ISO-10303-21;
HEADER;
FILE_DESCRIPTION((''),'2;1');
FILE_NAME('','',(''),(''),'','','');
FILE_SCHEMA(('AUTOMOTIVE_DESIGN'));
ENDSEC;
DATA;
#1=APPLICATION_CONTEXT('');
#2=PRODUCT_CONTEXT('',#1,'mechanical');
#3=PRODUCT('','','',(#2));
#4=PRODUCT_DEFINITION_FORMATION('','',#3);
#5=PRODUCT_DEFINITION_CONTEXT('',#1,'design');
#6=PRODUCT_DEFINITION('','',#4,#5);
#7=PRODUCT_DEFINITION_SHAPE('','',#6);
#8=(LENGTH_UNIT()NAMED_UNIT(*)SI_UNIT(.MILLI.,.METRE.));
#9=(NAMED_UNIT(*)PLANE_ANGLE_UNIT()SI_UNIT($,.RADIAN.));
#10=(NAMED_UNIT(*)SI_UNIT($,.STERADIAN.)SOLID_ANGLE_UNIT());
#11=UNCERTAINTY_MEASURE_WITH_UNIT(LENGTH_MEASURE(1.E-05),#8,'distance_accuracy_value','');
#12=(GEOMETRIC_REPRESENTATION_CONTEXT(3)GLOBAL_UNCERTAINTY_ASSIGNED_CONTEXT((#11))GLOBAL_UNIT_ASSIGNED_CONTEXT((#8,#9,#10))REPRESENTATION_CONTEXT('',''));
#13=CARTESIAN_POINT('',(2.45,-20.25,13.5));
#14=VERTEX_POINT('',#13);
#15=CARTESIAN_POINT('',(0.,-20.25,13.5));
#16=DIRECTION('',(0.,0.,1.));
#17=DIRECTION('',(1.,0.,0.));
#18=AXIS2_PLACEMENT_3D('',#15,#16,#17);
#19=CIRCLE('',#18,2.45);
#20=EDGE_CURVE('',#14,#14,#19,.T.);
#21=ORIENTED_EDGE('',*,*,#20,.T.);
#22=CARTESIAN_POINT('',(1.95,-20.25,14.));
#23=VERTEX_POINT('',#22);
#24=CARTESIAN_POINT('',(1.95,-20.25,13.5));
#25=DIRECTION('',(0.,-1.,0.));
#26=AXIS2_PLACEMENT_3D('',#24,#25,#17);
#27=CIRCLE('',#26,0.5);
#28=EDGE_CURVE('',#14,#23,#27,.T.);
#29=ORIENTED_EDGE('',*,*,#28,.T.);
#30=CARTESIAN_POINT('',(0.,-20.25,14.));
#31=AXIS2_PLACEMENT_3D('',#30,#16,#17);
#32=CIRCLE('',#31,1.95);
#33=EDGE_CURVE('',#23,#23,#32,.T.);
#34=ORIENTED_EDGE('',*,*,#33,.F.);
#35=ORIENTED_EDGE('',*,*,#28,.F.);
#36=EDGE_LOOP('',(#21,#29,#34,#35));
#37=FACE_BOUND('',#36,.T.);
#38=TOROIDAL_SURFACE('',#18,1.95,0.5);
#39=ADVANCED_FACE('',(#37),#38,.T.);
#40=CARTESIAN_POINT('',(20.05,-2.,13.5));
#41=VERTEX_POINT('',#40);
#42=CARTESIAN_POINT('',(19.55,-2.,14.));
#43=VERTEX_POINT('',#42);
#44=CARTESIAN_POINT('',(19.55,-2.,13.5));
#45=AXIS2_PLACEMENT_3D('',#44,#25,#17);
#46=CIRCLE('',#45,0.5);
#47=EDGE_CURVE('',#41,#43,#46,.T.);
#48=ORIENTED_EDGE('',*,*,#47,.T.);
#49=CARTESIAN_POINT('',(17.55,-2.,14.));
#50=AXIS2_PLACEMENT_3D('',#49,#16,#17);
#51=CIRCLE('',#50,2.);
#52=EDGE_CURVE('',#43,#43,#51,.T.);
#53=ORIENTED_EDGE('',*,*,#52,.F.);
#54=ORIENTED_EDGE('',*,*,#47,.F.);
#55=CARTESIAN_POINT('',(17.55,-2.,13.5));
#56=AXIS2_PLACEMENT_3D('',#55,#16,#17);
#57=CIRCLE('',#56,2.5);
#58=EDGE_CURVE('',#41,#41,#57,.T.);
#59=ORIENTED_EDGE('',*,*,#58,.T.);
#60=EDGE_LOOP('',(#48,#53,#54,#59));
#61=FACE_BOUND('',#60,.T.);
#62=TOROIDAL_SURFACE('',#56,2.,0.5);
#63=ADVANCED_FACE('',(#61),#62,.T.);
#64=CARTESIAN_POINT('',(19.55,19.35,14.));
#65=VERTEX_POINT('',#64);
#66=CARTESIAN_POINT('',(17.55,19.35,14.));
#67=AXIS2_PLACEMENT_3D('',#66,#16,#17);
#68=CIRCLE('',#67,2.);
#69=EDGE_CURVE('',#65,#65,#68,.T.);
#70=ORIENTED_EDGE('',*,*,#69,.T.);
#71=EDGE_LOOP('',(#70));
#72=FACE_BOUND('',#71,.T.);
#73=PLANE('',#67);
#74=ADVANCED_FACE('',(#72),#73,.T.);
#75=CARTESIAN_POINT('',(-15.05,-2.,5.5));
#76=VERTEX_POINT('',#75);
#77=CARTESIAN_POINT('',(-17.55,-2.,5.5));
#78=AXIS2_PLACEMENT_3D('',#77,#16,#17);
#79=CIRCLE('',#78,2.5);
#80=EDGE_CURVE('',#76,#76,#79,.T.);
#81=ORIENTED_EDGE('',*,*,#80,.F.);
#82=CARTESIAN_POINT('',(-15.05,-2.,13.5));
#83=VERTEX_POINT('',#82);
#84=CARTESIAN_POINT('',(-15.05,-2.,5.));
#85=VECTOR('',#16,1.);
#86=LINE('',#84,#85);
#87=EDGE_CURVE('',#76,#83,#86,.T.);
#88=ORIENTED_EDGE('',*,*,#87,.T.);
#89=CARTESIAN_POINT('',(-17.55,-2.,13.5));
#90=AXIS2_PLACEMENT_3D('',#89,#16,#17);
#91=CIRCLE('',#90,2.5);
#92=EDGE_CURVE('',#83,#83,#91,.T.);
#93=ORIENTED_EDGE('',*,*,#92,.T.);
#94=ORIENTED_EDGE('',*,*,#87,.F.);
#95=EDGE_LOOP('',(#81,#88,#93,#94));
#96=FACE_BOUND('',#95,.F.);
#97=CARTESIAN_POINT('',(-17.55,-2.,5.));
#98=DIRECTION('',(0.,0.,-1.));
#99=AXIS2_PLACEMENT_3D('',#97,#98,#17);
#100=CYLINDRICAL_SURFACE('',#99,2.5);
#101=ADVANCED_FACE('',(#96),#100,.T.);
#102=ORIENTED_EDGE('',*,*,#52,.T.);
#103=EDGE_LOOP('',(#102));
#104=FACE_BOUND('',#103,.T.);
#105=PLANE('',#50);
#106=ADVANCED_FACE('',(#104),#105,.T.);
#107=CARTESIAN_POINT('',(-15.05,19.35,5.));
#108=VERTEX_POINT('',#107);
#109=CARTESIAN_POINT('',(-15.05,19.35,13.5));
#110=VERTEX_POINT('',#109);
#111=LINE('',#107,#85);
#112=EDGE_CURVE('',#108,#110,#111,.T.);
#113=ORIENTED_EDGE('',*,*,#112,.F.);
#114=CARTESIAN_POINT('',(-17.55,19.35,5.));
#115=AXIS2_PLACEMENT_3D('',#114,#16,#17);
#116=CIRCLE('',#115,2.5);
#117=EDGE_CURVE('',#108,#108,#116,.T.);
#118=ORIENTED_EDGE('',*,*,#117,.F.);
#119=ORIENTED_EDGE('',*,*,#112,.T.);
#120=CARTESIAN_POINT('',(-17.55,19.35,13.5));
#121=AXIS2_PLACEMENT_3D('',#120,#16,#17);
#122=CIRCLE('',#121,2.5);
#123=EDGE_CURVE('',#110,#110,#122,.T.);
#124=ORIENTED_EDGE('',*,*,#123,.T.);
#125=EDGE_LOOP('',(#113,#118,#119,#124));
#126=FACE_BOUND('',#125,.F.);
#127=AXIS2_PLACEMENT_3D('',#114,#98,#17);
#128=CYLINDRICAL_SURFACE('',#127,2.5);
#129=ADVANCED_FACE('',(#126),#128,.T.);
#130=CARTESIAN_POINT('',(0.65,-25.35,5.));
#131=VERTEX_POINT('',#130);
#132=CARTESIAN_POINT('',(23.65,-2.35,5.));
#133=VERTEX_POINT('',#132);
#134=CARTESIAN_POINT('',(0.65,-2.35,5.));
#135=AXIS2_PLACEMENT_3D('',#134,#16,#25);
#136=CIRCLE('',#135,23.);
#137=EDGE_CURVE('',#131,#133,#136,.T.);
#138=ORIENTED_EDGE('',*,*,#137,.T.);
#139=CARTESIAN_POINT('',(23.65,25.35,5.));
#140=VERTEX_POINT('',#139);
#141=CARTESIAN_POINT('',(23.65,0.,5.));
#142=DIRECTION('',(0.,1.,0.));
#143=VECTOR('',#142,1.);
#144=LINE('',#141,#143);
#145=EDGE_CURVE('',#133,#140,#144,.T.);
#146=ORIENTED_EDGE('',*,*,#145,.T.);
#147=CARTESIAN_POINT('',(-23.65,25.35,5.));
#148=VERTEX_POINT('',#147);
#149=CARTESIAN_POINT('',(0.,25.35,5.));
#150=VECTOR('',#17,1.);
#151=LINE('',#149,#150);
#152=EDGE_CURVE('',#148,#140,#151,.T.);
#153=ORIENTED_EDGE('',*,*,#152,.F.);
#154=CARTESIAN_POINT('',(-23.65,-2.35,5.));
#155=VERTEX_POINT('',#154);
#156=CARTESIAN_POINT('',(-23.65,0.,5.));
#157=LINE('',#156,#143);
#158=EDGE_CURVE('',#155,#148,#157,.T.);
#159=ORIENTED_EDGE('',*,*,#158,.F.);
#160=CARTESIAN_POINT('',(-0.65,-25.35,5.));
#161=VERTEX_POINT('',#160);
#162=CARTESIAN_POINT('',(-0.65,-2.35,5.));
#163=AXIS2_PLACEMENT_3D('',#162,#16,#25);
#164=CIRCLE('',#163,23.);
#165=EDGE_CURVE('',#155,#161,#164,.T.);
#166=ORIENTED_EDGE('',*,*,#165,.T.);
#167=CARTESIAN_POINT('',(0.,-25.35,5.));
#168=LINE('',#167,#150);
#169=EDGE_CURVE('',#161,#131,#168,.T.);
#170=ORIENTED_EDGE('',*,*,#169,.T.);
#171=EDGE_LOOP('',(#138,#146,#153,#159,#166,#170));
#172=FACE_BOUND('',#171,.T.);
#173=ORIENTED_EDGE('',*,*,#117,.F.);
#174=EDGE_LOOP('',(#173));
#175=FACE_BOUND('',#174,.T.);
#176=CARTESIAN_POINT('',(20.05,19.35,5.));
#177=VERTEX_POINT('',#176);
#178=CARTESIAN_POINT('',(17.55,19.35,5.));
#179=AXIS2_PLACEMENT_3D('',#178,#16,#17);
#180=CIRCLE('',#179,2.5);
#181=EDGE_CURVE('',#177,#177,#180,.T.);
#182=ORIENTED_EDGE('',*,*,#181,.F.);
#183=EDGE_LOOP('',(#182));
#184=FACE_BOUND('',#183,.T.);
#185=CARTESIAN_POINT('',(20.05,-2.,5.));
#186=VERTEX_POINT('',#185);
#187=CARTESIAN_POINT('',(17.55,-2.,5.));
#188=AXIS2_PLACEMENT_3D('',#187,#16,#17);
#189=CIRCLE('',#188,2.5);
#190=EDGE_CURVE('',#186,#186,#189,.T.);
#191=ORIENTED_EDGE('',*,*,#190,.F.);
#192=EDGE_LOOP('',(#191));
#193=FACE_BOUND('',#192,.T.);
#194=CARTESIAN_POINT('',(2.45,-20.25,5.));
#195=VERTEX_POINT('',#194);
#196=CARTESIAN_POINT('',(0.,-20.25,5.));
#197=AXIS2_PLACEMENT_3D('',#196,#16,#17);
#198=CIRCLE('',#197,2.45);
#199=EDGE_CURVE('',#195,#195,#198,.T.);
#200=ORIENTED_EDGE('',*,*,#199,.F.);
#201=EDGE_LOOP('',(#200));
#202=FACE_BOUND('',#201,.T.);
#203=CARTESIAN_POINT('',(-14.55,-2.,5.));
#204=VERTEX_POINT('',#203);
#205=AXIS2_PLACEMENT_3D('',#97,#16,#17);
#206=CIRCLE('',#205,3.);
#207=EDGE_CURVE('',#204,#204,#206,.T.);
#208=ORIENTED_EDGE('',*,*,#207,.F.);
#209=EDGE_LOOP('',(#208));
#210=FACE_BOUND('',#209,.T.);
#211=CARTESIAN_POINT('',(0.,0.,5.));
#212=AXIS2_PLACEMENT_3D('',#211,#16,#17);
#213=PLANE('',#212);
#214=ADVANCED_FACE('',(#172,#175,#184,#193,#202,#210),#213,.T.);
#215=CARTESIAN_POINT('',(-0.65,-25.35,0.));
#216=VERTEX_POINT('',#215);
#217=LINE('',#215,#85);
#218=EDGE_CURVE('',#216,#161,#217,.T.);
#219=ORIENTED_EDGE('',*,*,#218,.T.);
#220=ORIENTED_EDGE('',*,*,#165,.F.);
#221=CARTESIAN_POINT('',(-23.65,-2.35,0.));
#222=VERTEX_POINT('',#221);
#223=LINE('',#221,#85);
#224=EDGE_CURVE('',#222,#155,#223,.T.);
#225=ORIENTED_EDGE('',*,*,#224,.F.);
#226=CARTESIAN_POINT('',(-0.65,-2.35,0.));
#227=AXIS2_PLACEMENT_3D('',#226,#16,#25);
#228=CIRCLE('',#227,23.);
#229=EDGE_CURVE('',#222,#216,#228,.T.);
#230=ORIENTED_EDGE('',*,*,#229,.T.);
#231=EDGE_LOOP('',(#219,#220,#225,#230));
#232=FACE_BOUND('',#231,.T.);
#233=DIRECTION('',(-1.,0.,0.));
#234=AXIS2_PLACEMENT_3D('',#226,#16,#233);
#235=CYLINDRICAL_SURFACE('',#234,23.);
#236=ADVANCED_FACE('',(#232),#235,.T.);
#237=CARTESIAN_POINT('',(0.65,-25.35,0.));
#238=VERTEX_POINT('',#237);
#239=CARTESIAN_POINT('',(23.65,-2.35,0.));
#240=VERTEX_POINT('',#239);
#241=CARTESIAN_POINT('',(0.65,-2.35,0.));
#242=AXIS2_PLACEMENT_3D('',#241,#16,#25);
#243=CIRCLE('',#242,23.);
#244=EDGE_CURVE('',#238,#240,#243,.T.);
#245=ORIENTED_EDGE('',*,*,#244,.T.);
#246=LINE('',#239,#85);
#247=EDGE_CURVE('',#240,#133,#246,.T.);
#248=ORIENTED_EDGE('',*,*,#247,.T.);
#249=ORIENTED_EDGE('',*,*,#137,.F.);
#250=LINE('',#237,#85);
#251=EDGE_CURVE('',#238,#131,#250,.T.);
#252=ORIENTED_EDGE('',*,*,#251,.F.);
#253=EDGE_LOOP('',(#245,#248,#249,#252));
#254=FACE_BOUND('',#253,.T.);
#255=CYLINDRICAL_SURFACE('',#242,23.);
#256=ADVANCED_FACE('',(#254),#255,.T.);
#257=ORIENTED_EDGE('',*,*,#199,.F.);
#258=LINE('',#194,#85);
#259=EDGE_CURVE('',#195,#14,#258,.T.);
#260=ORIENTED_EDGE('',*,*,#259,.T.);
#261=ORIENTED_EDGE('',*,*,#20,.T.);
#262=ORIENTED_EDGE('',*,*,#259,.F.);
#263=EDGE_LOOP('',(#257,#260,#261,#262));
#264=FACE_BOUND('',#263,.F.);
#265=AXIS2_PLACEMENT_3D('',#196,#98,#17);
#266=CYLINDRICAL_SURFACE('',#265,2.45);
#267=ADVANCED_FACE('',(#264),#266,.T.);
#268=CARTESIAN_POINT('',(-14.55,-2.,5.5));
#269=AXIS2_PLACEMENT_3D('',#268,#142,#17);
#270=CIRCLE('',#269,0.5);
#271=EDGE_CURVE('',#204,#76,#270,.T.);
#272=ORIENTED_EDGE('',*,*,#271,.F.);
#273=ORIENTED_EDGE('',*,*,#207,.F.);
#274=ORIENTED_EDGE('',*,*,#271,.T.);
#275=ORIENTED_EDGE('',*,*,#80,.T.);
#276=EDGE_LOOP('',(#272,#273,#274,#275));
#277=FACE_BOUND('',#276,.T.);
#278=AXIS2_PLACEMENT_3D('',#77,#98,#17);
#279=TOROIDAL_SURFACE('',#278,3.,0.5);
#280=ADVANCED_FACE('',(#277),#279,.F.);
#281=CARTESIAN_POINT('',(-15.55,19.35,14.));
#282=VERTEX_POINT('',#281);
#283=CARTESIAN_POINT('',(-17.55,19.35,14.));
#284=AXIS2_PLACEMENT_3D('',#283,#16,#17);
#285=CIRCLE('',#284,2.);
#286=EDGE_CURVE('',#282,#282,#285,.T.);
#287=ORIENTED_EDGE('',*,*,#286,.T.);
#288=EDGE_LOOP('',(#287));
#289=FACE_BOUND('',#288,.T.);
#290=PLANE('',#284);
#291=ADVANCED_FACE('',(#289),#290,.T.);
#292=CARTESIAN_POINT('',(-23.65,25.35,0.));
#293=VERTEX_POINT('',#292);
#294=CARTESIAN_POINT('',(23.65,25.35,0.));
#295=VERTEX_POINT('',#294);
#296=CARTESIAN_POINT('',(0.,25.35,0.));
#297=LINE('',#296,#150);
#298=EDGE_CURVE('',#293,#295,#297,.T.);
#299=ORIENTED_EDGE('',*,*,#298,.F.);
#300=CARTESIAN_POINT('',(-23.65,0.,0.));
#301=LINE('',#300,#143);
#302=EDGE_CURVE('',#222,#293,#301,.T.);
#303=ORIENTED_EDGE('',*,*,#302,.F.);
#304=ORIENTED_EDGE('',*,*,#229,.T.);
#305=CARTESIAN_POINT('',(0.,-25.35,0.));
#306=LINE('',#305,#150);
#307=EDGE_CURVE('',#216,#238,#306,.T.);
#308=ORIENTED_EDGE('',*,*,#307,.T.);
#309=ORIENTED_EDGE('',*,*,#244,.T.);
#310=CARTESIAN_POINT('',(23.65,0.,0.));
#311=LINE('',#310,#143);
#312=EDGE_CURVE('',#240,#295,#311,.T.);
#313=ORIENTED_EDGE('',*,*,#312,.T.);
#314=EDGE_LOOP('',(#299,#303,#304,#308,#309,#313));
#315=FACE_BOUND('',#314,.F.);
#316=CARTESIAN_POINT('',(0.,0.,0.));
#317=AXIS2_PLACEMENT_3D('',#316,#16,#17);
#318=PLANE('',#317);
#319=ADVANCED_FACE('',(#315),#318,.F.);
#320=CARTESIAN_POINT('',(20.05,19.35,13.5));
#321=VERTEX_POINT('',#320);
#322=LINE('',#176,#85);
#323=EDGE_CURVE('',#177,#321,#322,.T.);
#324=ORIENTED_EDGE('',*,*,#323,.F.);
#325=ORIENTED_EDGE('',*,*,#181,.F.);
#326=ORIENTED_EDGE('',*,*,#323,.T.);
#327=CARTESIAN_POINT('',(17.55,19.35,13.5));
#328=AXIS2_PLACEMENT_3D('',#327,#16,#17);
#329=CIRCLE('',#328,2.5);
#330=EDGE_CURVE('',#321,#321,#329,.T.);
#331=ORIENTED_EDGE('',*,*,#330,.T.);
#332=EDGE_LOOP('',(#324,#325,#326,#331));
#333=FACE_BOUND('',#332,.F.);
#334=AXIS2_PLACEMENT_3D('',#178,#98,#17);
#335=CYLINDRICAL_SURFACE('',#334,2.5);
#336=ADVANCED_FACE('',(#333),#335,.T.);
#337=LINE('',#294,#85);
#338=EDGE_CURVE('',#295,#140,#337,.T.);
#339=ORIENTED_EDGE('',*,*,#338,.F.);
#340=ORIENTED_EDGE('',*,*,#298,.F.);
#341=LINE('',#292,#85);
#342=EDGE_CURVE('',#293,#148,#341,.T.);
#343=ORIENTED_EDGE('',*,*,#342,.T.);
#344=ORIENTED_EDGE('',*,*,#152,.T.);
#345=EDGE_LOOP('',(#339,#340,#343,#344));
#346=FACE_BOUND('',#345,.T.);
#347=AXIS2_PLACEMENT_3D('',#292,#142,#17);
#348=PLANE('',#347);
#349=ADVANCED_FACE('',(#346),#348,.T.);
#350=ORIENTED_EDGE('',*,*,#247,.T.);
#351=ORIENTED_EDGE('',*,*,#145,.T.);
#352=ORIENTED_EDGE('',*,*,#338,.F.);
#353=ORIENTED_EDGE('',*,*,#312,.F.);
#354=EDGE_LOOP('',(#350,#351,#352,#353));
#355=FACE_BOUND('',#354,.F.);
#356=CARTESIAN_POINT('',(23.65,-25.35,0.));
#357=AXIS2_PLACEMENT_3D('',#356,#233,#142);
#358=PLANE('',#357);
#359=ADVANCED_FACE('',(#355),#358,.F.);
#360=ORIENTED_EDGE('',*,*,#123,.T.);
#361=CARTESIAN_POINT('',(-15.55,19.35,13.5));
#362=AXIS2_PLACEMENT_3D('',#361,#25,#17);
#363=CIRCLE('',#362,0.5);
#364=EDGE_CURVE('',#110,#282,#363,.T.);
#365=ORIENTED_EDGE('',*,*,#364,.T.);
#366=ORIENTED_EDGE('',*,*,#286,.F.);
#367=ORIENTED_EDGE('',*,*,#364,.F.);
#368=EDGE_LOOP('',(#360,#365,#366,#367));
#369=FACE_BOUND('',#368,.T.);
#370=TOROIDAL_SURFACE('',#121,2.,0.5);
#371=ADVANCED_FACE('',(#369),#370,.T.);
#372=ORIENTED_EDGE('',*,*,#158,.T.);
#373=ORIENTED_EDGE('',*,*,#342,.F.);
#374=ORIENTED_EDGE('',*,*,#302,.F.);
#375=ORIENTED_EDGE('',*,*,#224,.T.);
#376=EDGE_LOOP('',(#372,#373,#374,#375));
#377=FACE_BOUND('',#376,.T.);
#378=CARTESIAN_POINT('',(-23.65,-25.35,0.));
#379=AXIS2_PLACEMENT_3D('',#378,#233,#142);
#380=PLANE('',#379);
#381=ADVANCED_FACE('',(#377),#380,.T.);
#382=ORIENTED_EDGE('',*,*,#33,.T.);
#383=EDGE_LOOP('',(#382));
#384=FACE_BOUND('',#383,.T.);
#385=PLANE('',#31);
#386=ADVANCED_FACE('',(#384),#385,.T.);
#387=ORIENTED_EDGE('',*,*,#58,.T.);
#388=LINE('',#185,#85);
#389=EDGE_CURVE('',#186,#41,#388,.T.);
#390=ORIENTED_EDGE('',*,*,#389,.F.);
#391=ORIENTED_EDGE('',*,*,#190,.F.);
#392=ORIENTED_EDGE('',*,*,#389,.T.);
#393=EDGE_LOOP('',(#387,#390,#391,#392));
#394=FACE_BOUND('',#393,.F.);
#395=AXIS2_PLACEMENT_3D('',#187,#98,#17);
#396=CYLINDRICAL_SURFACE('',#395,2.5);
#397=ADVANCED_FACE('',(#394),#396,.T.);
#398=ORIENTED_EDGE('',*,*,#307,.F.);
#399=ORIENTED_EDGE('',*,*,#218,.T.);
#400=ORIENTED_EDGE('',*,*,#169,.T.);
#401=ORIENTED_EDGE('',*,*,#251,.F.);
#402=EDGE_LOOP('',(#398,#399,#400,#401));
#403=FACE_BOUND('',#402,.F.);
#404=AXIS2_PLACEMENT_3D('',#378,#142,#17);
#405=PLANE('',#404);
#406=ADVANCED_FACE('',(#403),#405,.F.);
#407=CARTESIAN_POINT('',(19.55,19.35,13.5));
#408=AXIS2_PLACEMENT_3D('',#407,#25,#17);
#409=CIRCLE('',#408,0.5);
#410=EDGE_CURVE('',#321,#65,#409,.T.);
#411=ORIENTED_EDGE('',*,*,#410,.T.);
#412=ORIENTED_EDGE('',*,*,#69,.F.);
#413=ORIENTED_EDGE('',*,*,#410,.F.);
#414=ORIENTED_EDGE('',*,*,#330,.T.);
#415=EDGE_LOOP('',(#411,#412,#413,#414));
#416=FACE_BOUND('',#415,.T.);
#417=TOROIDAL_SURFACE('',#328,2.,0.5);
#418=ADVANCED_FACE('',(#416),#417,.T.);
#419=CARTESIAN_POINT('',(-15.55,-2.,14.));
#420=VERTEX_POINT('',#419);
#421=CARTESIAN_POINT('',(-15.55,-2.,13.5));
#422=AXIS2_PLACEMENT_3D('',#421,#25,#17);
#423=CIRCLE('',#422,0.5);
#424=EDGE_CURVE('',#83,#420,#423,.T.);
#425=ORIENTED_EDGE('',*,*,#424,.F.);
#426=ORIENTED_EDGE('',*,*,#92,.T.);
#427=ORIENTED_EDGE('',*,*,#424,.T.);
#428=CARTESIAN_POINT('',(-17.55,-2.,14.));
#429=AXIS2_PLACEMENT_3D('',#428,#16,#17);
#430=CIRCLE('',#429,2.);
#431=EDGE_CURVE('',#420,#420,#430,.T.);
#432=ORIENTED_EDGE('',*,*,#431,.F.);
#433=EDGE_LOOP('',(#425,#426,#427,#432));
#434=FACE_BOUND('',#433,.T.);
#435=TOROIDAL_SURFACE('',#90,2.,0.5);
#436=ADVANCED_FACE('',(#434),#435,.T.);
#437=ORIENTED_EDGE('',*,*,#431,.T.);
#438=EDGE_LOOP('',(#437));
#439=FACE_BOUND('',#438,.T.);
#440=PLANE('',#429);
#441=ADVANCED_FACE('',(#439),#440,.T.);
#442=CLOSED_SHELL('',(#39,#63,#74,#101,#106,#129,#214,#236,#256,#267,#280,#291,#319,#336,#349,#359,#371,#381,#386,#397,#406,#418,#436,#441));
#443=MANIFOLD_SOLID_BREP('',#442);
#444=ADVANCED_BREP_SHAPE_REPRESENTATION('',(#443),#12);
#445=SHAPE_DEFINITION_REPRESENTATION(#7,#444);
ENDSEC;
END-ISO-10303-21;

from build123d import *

# Parameters (mm, degrees)
F0_W     = 47.3
F0_H     = 50.7
F1_DEPTH = 5
F2_R     = 23
F3_R     = 2.5
F3_R_2   = 2.45
F4_DEPTH = 9
F5_R     = 0.5


with BuildPart() as f1:
    # F0 (on Top) → F1 (new body)
    with BuildSketch(Plane.XY):
        Rectangle(F0_W, F0_H)
    extrude(amount=F1_DEPTH)

    # F2
    f2_edges = [f1.edges().sort_by_distance(p)[0] for p in [
        (-23.65, -25.35, 2.5),
        (23.65, -25.35, 2.5),
    ]]
    fillet(f2_edges, radius=F2_R)

    # F3 (on face) → F4 (join)
    with BuildSketch(Plane.XY.offset(5)):
        with Locations((-17.55, 19.35)):
            Circle(F3_R)
        with Locations((17.55, 19.35)):
            Circle(F3_R)
        with Locations((17.55, -2)):
            Circle(F3_R)
        with Locations((-17.55, -2)):
            Circle(F3_R)
        with Locations((0, -20.25)):
            Circle(F3_R_2)
    extrude(amount=F4_DEPTH)

    # F5
    f5_edges = [f1.edges().sort_by_distance(p)[0] for p in [
        (-20.05, 19.35, 14),
        (15.05, 19.35, 14),
        (15.05, -2, 14),
        (-2.45, -20.25, 14),
        (-15.05, -2, 9.5),
        (-20.05, -2, 5),
        (-20.05, -2, 14),
    ]]
    fillet(f5_edges, radius=F5_R)


solid = f1.part
